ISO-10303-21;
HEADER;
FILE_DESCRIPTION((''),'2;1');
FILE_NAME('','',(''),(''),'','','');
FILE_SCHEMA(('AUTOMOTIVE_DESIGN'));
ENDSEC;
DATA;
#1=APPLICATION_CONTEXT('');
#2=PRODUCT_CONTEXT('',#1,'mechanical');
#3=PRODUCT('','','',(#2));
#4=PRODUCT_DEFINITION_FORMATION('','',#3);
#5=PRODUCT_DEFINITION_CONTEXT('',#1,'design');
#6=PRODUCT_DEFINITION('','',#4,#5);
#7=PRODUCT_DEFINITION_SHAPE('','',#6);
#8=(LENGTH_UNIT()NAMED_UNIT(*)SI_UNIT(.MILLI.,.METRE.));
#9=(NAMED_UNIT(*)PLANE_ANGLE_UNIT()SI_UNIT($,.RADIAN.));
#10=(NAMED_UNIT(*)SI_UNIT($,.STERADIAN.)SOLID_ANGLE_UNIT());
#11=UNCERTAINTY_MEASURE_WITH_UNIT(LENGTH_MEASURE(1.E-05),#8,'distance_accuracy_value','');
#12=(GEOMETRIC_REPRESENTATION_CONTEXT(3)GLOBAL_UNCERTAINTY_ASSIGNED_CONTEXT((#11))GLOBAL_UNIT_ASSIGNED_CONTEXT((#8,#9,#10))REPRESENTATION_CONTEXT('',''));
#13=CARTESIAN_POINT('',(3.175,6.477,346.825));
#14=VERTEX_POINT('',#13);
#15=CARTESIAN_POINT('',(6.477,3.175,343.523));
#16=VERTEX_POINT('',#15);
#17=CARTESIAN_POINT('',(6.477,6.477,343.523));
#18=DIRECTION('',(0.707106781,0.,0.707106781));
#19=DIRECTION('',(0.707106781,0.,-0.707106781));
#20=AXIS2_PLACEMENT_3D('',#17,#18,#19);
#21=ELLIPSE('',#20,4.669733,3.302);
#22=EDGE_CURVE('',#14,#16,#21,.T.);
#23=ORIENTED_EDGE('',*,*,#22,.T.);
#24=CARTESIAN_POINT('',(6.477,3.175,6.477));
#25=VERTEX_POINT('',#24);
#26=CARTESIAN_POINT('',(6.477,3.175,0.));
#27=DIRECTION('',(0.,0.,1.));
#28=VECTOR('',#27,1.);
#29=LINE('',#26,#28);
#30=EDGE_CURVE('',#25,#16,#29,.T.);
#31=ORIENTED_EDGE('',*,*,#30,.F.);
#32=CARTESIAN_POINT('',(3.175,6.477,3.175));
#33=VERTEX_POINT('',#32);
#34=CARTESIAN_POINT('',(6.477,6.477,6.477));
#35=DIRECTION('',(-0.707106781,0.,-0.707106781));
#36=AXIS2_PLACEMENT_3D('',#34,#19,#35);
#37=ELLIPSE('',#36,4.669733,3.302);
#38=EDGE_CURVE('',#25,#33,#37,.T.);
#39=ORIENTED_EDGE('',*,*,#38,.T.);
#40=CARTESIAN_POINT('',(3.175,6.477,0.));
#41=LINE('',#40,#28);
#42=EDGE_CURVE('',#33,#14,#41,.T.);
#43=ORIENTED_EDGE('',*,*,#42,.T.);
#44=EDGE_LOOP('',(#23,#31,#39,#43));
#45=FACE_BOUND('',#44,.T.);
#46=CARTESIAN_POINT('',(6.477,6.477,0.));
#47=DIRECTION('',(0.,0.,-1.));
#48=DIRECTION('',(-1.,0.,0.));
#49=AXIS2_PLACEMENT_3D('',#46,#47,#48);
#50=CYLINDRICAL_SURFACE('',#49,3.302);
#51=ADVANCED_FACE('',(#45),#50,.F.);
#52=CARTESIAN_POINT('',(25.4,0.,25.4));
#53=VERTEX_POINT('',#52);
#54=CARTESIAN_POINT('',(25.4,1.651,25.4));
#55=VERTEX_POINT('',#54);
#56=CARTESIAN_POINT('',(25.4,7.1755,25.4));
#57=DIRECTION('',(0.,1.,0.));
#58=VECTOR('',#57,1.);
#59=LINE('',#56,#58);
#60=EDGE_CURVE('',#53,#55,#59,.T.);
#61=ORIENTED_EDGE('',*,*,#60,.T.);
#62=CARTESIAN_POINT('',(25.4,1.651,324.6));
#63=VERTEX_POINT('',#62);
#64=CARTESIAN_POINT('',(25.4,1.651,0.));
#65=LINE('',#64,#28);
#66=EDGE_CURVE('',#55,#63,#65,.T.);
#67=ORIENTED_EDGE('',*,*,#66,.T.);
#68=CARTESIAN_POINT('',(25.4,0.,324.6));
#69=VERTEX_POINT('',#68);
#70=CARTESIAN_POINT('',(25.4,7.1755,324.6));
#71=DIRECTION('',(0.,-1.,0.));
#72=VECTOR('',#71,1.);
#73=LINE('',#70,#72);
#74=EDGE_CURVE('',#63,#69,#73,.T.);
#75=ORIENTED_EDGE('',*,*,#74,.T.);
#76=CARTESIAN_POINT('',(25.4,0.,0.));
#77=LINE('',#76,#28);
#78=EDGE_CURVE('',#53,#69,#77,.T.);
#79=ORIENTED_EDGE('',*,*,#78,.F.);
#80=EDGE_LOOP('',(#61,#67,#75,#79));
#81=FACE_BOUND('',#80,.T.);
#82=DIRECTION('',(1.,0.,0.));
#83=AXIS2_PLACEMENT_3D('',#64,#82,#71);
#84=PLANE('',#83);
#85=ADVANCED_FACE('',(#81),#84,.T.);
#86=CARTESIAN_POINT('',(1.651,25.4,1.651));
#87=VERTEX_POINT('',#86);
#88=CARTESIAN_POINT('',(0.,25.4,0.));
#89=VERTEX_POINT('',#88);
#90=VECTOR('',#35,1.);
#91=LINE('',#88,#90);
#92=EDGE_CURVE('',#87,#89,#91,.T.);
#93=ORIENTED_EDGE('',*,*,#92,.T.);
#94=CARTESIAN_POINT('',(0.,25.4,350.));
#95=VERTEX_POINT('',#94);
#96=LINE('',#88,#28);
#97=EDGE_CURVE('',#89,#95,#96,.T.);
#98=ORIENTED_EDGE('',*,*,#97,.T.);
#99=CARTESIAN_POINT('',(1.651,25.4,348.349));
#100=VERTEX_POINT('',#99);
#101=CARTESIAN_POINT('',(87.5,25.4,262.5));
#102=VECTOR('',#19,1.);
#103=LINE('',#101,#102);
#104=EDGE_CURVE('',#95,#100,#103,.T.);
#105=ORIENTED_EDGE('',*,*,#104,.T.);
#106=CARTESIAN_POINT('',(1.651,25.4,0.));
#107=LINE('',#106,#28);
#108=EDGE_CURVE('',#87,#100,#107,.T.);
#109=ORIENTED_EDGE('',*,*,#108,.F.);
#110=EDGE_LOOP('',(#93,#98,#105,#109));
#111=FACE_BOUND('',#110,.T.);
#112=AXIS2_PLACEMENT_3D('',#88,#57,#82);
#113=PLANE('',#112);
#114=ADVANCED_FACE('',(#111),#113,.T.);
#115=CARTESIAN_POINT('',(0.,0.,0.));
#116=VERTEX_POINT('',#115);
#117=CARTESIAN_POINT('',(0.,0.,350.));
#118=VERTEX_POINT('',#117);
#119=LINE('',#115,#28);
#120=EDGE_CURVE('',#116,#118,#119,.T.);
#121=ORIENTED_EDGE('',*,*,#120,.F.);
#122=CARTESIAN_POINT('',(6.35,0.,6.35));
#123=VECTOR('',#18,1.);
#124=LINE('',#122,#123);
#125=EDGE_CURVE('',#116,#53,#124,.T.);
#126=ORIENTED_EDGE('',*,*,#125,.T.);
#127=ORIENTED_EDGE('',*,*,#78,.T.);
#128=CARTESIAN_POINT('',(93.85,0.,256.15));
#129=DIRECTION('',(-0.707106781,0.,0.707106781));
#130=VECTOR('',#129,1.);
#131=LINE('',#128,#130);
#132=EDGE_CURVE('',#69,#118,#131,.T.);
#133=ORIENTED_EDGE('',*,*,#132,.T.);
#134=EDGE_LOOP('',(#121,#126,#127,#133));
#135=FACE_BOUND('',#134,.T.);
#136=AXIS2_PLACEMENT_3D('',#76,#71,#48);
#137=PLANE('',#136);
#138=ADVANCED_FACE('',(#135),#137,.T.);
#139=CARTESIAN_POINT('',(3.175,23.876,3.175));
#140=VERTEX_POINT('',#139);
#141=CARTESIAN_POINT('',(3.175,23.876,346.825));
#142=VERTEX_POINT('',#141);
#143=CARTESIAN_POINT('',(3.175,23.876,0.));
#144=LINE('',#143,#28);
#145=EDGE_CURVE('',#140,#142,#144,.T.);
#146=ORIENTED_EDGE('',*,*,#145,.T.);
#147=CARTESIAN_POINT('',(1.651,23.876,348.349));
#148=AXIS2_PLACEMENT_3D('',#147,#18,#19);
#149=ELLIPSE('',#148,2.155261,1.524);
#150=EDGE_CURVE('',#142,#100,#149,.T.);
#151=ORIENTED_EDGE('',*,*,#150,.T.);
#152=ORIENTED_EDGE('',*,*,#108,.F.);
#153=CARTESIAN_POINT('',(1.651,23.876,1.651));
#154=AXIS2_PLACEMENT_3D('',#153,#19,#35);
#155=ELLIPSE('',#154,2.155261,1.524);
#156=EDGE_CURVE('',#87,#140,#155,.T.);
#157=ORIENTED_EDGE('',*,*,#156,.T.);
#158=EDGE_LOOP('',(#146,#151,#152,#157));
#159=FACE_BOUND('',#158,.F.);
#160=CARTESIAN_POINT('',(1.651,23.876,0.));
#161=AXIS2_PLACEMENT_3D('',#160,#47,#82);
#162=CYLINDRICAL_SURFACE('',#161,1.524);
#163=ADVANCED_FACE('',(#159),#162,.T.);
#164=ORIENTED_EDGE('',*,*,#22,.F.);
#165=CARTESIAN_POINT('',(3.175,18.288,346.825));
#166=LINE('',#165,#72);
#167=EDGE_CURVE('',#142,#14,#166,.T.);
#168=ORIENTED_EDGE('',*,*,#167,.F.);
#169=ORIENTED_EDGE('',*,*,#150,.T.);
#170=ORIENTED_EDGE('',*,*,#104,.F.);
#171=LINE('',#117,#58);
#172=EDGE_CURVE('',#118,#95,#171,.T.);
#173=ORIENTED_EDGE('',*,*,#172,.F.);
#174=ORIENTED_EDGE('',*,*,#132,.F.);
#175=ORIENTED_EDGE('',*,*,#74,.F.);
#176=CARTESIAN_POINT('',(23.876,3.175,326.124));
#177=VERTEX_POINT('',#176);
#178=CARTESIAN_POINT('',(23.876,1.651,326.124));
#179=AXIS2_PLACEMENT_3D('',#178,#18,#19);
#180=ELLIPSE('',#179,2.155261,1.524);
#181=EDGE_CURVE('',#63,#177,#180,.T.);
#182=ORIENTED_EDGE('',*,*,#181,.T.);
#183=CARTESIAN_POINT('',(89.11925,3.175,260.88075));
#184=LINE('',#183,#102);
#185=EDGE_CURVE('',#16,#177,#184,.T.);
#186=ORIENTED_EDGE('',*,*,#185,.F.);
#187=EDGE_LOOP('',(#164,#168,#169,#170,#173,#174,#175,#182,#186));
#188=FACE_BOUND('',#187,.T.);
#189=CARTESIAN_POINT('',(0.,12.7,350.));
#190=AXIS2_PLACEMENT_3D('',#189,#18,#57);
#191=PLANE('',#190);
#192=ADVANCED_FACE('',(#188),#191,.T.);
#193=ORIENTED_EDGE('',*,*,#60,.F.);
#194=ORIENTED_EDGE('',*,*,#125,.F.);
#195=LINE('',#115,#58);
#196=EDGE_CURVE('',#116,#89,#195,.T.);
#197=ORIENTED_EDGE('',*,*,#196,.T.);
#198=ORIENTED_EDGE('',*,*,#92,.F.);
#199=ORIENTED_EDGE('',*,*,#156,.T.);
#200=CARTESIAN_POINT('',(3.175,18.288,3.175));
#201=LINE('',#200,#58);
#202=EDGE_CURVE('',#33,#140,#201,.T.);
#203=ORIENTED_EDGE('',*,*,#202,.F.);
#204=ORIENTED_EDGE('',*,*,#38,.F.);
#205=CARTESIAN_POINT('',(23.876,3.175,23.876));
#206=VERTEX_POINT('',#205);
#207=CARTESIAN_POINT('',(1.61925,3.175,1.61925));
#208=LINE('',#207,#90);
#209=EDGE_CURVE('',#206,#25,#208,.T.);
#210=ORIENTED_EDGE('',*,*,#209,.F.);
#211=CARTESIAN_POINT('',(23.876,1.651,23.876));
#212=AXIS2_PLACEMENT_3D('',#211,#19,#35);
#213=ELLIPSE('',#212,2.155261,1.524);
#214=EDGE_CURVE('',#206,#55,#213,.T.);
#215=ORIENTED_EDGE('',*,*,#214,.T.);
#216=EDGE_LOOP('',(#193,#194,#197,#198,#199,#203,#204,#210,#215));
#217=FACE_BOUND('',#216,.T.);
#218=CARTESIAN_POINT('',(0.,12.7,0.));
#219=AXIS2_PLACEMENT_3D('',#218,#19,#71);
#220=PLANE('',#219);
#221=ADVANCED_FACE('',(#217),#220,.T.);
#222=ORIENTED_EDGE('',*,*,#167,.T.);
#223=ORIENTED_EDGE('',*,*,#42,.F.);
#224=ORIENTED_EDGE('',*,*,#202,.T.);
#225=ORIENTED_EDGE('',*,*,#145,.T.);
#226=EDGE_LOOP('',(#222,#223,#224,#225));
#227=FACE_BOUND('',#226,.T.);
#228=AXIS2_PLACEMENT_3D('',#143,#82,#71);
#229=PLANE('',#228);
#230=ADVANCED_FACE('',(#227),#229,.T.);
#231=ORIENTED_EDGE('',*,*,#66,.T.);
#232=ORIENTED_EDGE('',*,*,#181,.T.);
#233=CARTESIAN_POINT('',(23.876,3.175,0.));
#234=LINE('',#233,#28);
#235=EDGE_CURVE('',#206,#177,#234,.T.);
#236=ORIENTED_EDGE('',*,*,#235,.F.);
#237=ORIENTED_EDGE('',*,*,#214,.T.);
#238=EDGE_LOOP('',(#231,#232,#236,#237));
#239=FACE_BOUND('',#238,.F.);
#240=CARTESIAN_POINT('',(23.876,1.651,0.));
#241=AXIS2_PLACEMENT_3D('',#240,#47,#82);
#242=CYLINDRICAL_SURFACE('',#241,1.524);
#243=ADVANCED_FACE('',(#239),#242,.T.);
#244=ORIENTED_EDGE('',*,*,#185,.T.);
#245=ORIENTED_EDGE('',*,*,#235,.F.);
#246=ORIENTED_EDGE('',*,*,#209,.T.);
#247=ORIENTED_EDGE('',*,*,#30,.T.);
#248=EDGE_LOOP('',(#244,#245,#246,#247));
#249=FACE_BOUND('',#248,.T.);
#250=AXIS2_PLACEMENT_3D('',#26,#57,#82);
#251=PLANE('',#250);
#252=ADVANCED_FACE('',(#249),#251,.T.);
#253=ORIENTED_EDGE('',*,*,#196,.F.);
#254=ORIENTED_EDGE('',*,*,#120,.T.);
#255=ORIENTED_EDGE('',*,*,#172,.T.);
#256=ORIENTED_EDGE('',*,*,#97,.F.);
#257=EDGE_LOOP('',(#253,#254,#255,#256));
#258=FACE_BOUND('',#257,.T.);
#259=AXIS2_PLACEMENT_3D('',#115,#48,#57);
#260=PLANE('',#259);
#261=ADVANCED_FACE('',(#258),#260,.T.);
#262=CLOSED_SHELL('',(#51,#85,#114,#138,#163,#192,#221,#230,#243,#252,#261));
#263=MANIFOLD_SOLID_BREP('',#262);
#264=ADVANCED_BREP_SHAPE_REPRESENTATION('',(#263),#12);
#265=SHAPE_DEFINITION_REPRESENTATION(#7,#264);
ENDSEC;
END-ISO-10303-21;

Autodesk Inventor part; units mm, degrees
ref_plane "Start Plane" through (0, 0, 0) normal (0, 0, 1) x (1, 0, 0)
ref_plane "End Plane" through (0, 0, 350) normal (0, 0, 1) x (1, 0, 0)
sketch "Sketch" plane through (0, 0, 0) normal (0, 0, 1) x (1, 0, 0)
  line L0 (25.4, 0) -> (0, 0)
  line L1 (0, 0) -> (0, 25.4)
  line L2 (0, 25.4) -> (1.651, 25.4)
  line L3 (3.175, 23.876) -> (3.175, 6.477)
  line L4 (6.477, 3.175) -> (23.876, 3.175)
  line L5 (25.4, 1.651) -> (25.4, 0)
  line L6 (0, -11.0414) -> (0, 31.5385) construction
  line L7 (-11.0414, 0) -> (31.5385, 0) construction
  arc A0 (3.175, 6.477) -> (6.477, 3.175) centre (6.477, 6.477) ccw
  arc A1 (3.175, 23.876) -> (1.651, 25.4) centre (1.651, 23.876) ccw
  arc A2 (25.4, 1.651) -> (23.876, 3.175) centre (23.876, 1.651) ccw
  line L8 (0, 40.0545) -> (0, -19.5574) construction
  line L9 (-19.5574, 0) -> (40.0545, 0) construction
  point P0 (3.175, 25.4)
  point P1 (3.175, 3.175)
  point P2 (25.4, 3.175)
  dimension "d0" = 25.4
  dimension "d1" = 25.4
  dimension "d2" = 3.175
  dimension "d3" = 3.175
  dimension "d10" = 0
  dimension "d11" = 0
  dimension "d14" = 3.302
  dimension "d15" = 1.524
extrude "Body" add sketch "Sketch" along normal up to surface (350 mm away) from surface at 0
sketch "Sketch3" plane through (0, 0, 0) normal (0, 0, 1) x (1, 0, 0)
  line L0 (0, 0) -> (10, 0)
ref_plane "Work Plane3" through (0, 0, 0) normal (0, -1, 0) x (1, 0, 0)
ref_plane "Work Plane4" through (0, 12.7, 350) normal (0.7071, 0, 0.7071) x (0.7071, 0, -0.7071)
split "Split1" plane through (0, 12.7, 350) removes the side toward (0.7071, 0, 0.7071)
ref_plane "Work Plane5" through (0, 12.7, 0) normal (0.7071, 0, -0.7071) x (-0.7071, 0, -0.7071)
split "Split2" plane through (0, 12.7, 0) removes the side toward (0.7071, 0, -0.7071)
sketch "Sketch4" plane through (0, 0, 0) normal (0, -1, 0) x (1, 0, 0)
  line L0 (-2, 0) -> (12, 0) projected
  line L1 (-2, 350) -> (12, 350) projected
  dimension "d17" = 350
equation "\"d0\" = G_H"
equation "\"d1\" = G_H"
equation "\"d2\" = G_T"
equation "\"d3\" = G_T"
equation "\"d14\" = G_IR"
equation "\"d15\" = G_ER"
equation "\"d4\" = G_L"
equation "\"G_H\" = 25.4"
equation "\"G_T\" = 3.175"
equation "\"G_ER\" = 1.524"
equation "\"G_IR\" = 3.302"
equation "\"G_L\" = d17"
equation "\"ex\" = 0"
equation "\"G_OFFSET_START\" = 0"
equation "\"G_OFFSET_END\" = -100"
equation "\"d13\" = G_OFFSET_END + B_L"
equation "\"B_L\" = 450"
properties part number "AISC - L 1 x 1 x 1/8 - 13.78" material "Steel, Mild"
